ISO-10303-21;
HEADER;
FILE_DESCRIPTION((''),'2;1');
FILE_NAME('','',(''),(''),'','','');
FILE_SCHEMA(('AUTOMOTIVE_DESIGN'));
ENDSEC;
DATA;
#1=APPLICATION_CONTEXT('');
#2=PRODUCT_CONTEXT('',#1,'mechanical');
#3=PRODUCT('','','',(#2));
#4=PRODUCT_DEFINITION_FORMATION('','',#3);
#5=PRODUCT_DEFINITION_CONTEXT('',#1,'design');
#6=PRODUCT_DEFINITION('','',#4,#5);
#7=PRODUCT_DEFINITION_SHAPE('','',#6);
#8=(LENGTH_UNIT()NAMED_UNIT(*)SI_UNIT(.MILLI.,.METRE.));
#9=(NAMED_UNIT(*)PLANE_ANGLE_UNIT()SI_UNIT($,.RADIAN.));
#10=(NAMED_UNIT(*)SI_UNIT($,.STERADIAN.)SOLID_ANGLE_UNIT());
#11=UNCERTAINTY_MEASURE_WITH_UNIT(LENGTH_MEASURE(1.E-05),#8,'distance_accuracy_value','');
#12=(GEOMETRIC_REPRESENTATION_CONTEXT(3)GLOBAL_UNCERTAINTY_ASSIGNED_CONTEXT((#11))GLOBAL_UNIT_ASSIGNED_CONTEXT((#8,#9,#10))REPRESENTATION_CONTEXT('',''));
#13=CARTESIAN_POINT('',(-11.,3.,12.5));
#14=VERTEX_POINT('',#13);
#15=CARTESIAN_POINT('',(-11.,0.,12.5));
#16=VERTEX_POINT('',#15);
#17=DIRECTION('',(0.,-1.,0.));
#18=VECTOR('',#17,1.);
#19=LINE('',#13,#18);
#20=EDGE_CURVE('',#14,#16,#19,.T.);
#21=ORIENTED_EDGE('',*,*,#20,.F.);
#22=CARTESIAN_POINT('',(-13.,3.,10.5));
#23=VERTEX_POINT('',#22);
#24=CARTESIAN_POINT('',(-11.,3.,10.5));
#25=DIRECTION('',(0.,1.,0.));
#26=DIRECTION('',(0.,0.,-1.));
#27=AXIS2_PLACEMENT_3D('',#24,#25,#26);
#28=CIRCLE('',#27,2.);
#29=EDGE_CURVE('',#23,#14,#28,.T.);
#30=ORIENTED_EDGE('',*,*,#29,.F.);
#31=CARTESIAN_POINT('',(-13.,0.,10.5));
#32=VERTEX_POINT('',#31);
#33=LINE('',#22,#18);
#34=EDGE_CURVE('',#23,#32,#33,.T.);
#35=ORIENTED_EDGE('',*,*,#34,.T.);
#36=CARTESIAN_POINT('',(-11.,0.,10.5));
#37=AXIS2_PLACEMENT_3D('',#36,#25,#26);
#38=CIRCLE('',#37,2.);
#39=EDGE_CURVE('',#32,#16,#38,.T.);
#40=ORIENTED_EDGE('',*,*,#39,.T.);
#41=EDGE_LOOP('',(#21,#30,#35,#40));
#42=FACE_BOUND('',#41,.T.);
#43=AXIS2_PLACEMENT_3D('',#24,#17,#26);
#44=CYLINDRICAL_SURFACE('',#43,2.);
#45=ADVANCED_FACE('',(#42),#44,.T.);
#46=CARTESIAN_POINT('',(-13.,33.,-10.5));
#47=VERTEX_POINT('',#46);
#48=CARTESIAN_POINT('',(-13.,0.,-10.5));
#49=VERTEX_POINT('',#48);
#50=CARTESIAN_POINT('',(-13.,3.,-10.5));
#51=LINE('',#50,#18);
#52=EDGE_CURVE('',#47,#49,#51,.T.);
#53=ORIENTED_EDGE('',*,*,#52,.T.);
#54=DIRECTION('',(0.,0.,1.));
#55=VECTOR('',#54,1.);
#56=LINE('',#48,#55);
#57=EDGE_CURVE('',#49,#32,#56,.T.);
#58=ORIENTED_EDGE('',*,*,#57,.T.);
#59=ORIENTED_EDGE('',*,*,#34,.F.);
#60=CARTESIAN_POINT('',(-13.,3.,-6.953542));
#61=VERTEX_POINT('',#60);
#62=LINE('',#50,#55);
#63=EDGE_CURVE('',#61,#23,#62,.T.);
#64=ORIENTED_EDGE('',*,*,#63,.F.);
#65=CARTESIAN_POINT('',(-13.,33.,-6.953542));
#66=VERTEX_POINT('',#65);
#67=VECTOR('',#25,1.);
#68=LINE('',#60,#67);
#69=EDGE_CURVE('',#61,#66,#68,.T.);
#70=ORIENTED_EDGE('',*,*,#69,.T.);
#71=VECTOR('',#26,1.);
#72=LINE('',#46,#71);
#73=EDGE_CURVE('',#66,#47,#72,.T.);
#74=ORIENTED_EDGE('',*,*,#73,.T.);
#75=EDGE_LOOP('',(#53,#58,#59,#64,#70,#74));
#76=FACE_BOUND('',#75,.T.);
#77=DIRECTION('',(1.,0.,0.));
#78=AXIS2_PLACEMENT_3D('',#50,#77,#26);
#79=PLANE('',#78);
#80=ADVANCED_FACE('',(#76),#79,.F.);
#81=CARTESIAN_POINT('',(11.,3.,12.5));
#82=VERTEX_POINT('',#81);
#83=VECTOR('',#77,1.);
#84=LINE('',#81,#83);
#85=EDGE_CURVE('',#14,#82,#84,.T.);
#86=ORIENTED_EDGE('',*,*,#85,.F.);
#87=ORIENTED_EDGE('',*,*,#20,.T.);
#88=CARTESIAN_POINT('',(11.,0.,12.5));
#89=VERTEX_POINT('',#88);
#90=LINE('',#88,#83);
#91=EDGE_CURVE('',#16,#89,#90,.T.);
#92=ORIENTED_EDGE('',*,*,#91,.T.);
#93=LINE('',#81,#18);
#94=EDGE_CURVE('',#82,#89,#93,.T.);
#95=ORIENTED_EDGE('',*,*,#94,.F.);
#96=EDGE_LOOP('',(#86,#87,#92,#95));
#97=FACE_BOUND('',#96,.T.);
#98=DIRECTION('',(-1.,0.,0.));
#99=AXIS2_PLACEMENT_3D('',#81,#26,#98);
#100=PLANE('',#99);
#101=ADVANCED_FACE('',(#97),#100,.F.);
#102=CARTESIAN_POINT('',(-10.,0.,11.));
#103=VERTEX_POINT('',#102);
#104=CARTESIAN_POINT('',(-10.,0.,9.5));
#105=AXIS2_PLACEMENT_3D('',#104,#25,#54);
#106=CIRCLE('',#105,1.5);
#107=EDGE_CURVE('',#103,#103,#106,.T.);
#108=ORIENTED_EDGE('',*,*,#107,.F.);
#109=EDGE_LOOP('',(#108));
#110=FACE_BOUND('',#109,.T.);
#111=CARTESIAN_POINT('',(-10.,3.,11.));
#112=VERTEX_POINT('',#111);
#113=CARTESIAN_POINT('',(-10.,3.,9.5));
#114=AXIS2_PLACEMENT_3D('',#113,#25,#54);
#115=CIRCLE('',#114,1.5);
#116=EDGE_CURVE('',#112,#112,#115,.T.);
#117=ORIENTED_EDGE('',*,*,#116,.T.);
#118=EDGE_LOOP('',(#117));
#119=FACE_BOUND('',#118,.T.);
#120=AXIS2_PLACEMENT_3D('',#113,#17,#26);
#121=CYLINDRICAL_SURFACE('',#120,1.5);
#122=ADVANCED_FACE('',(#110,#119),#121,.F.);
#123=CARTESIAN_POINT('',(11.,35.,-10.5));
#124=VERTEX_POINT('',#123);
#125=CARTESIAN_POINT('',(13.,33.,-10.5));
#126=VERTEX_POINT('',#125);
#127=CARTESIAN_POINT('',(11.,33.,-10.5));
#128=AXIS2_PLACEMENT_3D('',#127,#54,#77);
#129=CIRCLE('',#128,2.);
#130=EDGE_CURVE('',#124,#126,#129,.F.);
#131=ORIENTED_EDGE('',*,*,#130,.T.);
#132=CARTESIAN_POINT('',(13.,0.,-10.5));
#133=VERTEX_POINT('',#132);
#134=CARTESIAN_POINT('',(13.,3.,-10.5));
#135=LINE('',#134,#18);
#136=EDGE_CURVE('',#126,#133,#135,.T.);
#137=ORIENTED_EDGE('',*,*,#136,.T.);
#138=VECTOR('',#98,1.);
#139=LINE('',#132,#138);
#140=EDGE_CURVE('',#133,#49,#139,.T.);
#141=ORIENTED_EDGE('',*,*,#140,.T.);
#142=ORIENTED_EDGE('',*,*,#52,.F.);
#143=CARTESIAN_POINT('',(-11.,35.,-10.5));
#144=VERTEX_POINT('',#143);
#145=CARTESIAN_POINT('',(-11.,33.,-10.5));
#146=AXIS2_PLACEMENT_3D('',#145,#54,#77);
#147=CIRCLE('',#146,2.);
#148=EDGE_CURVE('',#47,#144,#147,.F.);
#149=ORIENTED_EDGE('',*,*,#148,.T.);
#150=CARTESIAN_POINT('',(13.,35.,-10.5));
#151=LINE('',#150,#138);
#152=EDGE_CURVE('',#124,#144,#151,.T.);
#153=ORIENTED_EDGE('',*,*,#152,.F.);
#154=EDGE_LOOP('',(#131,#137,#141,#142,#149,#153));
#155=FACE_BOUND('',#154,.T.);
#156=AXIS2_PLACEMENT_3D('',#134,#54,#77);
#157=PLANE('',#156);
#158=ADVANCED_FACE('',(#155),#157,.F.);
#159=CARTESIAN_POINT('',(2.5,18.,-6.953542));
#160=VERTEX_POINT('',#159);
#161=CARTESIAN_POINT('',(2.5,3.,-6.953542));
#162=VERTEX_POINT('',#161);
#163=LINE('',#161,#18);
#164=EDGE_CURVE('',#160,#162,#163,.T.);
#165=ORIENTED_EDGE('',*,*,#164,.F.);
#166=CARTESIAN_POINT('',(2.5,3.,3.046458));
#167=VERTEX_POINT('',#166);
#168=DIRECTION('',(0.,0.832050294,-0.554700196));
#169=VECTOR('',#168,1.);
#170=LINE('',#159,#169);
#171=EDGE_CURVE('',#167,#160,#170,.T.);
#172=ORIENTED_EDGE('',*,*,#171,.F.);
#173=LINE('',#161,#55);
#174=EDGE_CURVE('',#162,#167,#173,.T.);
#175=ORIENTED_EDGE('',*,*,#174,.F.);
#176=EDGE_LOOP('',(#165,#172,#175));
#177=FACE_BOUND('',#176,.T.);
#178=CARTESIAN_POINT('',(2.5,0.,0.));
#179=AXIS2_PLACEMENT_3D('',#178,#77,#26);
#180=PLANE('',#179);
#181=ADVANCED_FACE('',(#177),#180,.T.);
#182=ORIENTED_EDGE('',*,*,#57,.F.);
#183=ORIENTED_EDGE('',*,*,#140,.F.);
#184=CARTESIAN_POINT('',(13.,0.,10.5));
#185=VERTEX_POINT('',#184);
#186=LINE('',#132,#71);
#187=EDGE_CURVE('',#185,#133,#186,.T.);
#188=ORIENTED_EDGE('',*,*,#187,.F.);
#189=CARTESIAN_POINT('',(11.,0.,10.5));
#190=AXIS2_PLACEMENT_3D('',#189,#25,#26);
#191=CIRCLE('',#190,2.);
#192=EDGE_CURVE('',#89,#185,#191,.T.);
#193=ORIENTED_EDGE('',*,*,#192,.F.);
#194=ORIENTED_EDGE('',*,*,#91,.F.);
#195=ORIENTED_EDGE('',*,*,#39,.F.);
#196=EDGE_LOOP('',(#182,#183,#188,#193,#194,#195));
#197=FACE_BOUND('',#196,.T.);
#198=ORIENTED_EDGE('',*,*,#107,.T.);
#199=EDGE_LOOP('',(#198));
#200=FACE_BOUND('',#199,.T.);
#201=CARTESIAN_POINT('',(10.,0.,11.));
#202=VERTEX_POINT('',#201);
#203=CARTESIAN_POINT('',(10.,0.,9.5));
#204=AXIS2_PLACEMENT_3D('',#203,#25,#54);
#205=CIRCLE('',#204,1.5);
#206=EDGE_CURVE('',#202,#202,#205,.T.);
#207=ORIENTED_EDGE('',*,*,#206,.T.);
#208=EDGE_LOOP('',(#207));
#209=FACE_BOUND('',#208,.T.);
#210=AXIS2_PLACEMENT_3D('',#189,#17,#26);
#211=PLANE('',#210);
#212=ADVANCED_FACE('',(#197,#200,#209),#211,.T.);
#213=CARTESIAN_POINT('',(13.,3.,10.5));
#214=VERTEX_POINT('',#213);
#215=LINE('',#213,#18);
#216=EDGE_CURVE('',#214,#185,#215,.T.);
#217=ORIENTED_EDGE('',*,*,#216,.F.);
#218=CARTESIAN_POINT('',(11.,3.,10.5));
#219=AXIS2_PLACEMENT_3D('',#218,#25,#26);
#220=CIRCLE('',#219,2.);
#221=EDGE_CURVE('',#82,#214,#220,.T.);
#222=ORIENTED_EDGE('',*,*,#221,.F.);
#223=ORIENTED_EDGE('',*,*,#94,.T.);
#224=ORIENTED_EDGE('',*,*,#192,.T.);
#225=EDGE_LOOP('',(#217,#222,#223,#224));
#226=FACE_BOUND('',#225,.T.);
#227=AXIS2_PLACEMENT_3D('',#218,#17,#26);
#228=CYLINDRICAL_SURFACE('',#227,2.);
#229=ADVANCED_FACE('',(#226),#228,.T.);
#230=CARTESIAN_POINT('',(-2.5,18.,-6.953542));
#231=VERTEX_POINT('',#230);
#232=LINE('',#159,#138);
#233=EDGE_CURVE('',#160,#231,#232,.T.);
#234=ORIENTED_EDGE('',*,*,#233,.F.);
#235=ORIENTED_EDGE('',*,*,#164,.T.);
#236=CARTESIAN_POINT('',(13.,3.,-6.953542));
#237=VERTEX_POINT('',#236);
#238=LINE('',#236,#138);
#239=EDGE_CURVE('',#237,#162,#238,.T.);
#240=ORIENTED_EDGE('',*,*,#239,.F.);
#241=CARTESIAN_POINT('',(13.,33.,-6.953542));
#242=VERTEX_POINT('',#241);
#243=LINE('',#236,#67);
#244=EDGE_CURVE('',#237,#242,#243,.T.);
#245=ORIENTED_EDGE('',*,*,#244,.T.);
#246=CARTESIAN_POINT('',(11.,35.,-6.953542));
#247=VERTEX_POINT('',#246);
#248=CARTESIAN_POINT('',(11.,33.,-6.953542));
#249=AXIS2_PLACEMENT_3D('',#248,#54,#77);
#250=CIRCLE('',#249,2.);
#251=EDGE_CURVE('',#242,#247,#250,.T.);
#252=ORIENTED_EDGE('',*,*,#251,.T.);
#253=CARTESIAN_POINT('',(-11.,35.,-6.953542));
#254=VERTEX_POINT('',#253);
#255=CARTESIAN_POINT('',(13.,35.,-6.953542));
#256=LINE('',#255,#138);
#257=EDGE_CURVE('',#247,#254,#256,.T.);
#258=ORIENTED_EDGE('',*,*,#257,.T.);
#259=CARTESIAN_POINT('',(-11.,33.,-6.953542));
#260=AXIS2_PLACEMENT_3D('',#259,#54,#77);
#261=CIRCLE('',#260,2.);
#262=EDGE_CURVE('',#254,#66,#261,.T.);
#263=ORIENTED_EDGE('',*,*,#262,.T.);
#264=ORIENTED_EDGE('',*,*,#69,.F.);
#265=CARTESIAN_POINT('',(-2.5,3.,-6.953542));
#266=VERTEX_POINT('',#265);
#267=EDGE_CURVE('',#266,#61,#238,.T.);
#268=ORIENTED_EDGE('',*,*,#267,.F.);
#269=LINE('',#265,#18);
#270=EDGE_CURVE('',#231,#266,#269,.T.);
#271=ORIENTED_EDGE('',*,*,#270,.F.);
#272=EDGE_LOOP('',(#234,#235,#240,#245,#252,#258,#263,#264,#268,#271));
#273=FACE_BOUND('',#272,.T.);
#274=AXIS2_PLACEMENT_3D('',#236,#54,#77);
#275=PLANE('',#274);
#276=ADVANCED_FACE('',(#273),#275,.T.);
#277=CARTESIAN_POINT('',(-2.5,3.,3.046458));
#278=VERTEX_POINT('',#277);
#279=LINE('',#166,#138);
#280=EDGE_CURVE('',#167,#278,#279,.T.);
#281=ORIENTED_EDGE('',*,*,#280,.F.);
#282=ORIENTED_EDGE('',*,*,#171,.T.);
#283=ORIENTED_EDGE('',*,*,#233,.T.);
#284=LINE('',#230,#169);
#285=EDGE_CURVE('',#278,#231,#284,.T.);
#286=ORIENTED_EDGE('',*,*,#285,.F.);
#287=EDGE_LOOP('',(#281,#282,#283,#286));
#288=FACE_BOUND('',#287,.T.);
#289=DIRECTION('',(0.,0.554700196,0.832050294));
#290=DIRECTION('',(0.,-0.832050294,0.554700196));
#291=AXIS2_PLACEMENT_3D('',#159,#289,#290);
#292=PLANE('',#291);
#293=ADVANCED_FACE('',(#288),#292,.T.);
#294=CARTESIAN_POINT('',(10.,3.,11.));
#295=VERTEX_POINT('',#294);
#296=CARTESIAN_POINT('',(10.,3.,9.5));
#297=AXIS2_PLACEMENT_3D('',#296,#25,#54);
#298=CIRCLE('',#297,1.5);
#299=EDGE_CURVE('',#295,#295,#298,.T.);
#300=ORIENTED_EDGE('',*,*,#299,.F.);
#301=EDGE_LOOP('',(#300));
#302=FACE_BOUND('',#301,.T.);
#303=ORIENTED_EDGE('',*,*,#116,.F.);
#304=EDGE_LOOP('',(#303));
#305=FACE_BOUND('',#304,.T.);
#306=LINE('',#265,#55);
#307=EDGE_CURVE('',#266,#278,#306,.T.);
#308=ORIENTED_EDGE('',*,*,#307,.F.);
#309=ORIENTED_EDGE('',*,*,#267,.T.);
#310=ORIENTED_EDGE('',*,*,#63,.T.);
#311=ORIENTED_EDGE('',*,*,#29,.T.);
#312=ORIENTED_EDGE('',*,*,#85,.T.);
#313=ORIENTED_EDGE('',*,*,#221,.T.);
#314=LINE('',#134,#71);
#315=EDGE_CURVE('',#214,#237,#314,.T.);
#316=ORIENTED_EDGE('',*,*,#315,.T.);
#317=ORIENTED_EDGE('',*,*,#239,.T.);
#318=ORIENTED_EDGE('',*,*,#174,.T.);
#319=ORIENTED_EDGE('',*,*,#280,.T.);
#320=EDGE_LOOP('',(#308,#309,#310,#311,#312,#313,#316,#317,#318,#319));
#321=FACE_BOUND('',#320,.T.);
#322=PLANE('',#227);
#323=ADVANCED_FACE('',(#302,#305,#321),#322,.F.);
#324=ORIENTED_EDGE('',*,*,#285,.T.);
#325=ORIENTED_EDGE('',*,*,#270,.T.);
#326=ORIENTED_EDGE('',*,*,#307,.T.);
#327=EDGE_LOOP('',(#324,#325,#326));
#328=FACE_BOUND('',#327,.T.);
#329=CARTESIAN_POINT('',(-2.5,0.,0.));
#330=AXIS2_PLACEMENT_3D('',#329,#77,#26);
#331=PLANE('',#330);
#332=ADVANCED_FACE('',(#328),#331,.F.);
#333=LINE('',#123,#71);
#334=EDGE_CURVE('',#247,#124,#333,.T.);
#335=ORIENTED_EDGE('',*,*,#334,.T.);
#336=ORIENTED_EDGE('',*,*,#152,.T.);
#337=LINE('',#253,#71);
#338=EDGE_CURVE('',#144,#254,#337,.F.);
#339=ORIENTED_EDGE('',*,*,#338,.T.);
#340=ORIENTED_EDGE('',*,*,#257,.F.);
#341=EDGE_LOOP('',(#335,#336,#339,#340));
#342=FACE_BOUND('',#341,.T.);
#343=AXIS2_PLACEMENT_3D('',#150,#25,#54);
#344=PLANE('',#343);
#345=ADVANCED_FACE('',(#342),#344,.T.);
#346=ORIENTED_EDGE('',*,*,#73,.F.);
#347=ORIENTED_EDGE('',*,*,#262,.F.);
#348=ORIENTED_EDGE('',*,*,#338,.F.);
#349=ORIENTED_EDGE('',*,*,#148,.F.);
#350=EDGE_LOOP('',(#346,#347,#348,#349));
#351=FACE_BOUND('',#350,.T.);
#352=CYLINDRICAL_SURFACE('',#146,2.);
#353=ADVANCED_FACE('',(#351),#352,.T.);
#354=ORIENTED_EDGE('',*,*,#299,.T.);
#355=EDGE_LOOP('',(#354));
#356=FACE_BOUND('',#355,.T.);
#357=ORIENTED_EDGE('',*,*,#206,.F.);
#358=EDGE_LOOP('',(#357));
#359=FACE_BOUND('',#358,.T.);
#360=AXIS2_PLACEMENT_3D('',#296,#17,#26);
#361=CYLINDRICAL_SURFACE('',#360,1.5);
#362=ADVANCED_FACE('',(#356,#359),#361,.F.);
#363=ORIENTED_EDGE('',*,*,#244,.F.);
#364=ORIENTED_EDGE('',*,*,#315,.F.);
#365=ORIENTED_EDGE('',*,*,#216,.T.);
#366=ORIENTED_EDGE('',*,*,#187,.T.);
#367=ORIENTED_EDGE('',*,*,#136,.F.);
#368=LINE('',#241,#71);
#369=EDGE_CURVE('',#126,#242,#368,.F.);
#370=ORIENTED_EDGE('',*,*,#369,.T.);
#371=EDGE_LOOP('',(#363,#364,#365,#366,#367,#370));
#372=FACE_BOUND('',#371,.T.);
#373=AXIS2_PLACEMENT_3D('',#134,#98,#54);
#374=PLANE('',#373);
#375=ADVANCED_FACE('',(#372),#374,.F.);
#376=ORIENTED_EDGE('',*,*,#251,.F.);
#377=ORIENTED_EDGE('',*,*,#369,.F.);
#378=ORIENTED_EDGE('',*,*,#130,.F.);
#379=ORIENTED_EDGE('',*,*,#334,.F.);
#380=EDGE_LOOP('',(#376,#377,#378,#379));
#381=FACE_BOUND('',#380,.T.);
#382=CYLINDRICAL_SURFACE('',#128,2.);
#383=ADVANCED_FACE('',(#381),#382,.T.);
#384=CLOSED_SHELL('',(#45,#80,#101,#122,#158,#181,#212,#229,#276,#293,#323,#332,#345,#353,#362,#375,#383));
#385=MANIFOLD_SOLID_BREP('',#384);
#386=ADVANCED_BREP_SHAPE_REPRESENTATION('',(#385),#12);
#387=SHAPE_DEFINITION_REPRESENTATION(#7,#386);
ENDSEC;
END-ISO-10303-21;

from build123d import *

# Parameters (mm, degrees)
SKETCH1_R           = 1.5
BOSS_EXTRUDE1_DEPTH = 3
SKETCH2_W           = 3.546458452
SKETCH2_H           = 32
BOSS_EXTRUDE2_DEPTH = 26
BOSS_EXTRUDE3_START = -10.5
BOSS_EXTRUDE3_DEPTH = 5
FILLET1_R           = 2
FILLET2_R           = 2


with BuildPart() as part:
    # Sketch1 → Boss-Extrude1 (new body)
    with BuildSketch(Plane(origin=(0, 0, 0), x_dir=(1, 0, 0), z_dir=(0, 1, 0))):
        with BuildLine():
            Line((13, 10.5), (-13, 10.5))
            Line((-13, 10.5), (-13, -10.5))
            ThreePointArc((-13, -10.5), (-12.414213562, -11.914213562), (-11, -12.5))
            Line((-11, -12.5), (11, -12.5))
            ThreePointArc((11, -12.5), (12.414213562, -11.914213562), (13, -10.5))
            Line((13, -10.5), (13, 10.5))
        make_face()
        with Locations(Location((-10, -9.5, 0), (0, 0, 270))):
            Circle(SKETCH1_R, mode=Mode.SUBTRACT)
        with Locations(Location((10, -9.5, 0), (0, 0, 270))):
            Circle(SKETCH1_R, mode=Mode.SUBTRACT)
    extrude(amount=BOSS_EXTRUDE1_DEPTH)

    # Sketch2 → Boss-Extrude2 (add)
    with BuildSketch(Plane.ZY.offset(13)):
        with Locations((-8.726770774, 19)):
            Rectangle(SKETCH2_W, SKETCH2_H)
    extrude(amount=-BOSS_EXTRUDE2_DEPTH)

    # Sketch3 → Boss-Extrude3 (add)
    with BuildSketch(Plane.ZY.offset(13).offset(BOSS_EXTRUDE3_START)):
        Polygon((-6.953541548, 18), (3.046458452, 3), (-6.953541548, 3), align=None)
    extrude(amount=-BOSS_EXTRUDE3_DEPTH)

    # Fillet1
    fillet1_edges = [part.edges().sort_by_distance(p)[0] for p in [
        (-13, 35, -8.726770774),
    ]]
    fillet(fillet1_edges, radius=FILLET1_R)

    # Fillet2
    fillet2_edges = [part.edges().sort_by_distance(p)[0] for p in [
        (13, 35, -8.726770774),
    ]]
    fillet(fillet2_edges, radius=FILLET2_R)


solid = part.part
